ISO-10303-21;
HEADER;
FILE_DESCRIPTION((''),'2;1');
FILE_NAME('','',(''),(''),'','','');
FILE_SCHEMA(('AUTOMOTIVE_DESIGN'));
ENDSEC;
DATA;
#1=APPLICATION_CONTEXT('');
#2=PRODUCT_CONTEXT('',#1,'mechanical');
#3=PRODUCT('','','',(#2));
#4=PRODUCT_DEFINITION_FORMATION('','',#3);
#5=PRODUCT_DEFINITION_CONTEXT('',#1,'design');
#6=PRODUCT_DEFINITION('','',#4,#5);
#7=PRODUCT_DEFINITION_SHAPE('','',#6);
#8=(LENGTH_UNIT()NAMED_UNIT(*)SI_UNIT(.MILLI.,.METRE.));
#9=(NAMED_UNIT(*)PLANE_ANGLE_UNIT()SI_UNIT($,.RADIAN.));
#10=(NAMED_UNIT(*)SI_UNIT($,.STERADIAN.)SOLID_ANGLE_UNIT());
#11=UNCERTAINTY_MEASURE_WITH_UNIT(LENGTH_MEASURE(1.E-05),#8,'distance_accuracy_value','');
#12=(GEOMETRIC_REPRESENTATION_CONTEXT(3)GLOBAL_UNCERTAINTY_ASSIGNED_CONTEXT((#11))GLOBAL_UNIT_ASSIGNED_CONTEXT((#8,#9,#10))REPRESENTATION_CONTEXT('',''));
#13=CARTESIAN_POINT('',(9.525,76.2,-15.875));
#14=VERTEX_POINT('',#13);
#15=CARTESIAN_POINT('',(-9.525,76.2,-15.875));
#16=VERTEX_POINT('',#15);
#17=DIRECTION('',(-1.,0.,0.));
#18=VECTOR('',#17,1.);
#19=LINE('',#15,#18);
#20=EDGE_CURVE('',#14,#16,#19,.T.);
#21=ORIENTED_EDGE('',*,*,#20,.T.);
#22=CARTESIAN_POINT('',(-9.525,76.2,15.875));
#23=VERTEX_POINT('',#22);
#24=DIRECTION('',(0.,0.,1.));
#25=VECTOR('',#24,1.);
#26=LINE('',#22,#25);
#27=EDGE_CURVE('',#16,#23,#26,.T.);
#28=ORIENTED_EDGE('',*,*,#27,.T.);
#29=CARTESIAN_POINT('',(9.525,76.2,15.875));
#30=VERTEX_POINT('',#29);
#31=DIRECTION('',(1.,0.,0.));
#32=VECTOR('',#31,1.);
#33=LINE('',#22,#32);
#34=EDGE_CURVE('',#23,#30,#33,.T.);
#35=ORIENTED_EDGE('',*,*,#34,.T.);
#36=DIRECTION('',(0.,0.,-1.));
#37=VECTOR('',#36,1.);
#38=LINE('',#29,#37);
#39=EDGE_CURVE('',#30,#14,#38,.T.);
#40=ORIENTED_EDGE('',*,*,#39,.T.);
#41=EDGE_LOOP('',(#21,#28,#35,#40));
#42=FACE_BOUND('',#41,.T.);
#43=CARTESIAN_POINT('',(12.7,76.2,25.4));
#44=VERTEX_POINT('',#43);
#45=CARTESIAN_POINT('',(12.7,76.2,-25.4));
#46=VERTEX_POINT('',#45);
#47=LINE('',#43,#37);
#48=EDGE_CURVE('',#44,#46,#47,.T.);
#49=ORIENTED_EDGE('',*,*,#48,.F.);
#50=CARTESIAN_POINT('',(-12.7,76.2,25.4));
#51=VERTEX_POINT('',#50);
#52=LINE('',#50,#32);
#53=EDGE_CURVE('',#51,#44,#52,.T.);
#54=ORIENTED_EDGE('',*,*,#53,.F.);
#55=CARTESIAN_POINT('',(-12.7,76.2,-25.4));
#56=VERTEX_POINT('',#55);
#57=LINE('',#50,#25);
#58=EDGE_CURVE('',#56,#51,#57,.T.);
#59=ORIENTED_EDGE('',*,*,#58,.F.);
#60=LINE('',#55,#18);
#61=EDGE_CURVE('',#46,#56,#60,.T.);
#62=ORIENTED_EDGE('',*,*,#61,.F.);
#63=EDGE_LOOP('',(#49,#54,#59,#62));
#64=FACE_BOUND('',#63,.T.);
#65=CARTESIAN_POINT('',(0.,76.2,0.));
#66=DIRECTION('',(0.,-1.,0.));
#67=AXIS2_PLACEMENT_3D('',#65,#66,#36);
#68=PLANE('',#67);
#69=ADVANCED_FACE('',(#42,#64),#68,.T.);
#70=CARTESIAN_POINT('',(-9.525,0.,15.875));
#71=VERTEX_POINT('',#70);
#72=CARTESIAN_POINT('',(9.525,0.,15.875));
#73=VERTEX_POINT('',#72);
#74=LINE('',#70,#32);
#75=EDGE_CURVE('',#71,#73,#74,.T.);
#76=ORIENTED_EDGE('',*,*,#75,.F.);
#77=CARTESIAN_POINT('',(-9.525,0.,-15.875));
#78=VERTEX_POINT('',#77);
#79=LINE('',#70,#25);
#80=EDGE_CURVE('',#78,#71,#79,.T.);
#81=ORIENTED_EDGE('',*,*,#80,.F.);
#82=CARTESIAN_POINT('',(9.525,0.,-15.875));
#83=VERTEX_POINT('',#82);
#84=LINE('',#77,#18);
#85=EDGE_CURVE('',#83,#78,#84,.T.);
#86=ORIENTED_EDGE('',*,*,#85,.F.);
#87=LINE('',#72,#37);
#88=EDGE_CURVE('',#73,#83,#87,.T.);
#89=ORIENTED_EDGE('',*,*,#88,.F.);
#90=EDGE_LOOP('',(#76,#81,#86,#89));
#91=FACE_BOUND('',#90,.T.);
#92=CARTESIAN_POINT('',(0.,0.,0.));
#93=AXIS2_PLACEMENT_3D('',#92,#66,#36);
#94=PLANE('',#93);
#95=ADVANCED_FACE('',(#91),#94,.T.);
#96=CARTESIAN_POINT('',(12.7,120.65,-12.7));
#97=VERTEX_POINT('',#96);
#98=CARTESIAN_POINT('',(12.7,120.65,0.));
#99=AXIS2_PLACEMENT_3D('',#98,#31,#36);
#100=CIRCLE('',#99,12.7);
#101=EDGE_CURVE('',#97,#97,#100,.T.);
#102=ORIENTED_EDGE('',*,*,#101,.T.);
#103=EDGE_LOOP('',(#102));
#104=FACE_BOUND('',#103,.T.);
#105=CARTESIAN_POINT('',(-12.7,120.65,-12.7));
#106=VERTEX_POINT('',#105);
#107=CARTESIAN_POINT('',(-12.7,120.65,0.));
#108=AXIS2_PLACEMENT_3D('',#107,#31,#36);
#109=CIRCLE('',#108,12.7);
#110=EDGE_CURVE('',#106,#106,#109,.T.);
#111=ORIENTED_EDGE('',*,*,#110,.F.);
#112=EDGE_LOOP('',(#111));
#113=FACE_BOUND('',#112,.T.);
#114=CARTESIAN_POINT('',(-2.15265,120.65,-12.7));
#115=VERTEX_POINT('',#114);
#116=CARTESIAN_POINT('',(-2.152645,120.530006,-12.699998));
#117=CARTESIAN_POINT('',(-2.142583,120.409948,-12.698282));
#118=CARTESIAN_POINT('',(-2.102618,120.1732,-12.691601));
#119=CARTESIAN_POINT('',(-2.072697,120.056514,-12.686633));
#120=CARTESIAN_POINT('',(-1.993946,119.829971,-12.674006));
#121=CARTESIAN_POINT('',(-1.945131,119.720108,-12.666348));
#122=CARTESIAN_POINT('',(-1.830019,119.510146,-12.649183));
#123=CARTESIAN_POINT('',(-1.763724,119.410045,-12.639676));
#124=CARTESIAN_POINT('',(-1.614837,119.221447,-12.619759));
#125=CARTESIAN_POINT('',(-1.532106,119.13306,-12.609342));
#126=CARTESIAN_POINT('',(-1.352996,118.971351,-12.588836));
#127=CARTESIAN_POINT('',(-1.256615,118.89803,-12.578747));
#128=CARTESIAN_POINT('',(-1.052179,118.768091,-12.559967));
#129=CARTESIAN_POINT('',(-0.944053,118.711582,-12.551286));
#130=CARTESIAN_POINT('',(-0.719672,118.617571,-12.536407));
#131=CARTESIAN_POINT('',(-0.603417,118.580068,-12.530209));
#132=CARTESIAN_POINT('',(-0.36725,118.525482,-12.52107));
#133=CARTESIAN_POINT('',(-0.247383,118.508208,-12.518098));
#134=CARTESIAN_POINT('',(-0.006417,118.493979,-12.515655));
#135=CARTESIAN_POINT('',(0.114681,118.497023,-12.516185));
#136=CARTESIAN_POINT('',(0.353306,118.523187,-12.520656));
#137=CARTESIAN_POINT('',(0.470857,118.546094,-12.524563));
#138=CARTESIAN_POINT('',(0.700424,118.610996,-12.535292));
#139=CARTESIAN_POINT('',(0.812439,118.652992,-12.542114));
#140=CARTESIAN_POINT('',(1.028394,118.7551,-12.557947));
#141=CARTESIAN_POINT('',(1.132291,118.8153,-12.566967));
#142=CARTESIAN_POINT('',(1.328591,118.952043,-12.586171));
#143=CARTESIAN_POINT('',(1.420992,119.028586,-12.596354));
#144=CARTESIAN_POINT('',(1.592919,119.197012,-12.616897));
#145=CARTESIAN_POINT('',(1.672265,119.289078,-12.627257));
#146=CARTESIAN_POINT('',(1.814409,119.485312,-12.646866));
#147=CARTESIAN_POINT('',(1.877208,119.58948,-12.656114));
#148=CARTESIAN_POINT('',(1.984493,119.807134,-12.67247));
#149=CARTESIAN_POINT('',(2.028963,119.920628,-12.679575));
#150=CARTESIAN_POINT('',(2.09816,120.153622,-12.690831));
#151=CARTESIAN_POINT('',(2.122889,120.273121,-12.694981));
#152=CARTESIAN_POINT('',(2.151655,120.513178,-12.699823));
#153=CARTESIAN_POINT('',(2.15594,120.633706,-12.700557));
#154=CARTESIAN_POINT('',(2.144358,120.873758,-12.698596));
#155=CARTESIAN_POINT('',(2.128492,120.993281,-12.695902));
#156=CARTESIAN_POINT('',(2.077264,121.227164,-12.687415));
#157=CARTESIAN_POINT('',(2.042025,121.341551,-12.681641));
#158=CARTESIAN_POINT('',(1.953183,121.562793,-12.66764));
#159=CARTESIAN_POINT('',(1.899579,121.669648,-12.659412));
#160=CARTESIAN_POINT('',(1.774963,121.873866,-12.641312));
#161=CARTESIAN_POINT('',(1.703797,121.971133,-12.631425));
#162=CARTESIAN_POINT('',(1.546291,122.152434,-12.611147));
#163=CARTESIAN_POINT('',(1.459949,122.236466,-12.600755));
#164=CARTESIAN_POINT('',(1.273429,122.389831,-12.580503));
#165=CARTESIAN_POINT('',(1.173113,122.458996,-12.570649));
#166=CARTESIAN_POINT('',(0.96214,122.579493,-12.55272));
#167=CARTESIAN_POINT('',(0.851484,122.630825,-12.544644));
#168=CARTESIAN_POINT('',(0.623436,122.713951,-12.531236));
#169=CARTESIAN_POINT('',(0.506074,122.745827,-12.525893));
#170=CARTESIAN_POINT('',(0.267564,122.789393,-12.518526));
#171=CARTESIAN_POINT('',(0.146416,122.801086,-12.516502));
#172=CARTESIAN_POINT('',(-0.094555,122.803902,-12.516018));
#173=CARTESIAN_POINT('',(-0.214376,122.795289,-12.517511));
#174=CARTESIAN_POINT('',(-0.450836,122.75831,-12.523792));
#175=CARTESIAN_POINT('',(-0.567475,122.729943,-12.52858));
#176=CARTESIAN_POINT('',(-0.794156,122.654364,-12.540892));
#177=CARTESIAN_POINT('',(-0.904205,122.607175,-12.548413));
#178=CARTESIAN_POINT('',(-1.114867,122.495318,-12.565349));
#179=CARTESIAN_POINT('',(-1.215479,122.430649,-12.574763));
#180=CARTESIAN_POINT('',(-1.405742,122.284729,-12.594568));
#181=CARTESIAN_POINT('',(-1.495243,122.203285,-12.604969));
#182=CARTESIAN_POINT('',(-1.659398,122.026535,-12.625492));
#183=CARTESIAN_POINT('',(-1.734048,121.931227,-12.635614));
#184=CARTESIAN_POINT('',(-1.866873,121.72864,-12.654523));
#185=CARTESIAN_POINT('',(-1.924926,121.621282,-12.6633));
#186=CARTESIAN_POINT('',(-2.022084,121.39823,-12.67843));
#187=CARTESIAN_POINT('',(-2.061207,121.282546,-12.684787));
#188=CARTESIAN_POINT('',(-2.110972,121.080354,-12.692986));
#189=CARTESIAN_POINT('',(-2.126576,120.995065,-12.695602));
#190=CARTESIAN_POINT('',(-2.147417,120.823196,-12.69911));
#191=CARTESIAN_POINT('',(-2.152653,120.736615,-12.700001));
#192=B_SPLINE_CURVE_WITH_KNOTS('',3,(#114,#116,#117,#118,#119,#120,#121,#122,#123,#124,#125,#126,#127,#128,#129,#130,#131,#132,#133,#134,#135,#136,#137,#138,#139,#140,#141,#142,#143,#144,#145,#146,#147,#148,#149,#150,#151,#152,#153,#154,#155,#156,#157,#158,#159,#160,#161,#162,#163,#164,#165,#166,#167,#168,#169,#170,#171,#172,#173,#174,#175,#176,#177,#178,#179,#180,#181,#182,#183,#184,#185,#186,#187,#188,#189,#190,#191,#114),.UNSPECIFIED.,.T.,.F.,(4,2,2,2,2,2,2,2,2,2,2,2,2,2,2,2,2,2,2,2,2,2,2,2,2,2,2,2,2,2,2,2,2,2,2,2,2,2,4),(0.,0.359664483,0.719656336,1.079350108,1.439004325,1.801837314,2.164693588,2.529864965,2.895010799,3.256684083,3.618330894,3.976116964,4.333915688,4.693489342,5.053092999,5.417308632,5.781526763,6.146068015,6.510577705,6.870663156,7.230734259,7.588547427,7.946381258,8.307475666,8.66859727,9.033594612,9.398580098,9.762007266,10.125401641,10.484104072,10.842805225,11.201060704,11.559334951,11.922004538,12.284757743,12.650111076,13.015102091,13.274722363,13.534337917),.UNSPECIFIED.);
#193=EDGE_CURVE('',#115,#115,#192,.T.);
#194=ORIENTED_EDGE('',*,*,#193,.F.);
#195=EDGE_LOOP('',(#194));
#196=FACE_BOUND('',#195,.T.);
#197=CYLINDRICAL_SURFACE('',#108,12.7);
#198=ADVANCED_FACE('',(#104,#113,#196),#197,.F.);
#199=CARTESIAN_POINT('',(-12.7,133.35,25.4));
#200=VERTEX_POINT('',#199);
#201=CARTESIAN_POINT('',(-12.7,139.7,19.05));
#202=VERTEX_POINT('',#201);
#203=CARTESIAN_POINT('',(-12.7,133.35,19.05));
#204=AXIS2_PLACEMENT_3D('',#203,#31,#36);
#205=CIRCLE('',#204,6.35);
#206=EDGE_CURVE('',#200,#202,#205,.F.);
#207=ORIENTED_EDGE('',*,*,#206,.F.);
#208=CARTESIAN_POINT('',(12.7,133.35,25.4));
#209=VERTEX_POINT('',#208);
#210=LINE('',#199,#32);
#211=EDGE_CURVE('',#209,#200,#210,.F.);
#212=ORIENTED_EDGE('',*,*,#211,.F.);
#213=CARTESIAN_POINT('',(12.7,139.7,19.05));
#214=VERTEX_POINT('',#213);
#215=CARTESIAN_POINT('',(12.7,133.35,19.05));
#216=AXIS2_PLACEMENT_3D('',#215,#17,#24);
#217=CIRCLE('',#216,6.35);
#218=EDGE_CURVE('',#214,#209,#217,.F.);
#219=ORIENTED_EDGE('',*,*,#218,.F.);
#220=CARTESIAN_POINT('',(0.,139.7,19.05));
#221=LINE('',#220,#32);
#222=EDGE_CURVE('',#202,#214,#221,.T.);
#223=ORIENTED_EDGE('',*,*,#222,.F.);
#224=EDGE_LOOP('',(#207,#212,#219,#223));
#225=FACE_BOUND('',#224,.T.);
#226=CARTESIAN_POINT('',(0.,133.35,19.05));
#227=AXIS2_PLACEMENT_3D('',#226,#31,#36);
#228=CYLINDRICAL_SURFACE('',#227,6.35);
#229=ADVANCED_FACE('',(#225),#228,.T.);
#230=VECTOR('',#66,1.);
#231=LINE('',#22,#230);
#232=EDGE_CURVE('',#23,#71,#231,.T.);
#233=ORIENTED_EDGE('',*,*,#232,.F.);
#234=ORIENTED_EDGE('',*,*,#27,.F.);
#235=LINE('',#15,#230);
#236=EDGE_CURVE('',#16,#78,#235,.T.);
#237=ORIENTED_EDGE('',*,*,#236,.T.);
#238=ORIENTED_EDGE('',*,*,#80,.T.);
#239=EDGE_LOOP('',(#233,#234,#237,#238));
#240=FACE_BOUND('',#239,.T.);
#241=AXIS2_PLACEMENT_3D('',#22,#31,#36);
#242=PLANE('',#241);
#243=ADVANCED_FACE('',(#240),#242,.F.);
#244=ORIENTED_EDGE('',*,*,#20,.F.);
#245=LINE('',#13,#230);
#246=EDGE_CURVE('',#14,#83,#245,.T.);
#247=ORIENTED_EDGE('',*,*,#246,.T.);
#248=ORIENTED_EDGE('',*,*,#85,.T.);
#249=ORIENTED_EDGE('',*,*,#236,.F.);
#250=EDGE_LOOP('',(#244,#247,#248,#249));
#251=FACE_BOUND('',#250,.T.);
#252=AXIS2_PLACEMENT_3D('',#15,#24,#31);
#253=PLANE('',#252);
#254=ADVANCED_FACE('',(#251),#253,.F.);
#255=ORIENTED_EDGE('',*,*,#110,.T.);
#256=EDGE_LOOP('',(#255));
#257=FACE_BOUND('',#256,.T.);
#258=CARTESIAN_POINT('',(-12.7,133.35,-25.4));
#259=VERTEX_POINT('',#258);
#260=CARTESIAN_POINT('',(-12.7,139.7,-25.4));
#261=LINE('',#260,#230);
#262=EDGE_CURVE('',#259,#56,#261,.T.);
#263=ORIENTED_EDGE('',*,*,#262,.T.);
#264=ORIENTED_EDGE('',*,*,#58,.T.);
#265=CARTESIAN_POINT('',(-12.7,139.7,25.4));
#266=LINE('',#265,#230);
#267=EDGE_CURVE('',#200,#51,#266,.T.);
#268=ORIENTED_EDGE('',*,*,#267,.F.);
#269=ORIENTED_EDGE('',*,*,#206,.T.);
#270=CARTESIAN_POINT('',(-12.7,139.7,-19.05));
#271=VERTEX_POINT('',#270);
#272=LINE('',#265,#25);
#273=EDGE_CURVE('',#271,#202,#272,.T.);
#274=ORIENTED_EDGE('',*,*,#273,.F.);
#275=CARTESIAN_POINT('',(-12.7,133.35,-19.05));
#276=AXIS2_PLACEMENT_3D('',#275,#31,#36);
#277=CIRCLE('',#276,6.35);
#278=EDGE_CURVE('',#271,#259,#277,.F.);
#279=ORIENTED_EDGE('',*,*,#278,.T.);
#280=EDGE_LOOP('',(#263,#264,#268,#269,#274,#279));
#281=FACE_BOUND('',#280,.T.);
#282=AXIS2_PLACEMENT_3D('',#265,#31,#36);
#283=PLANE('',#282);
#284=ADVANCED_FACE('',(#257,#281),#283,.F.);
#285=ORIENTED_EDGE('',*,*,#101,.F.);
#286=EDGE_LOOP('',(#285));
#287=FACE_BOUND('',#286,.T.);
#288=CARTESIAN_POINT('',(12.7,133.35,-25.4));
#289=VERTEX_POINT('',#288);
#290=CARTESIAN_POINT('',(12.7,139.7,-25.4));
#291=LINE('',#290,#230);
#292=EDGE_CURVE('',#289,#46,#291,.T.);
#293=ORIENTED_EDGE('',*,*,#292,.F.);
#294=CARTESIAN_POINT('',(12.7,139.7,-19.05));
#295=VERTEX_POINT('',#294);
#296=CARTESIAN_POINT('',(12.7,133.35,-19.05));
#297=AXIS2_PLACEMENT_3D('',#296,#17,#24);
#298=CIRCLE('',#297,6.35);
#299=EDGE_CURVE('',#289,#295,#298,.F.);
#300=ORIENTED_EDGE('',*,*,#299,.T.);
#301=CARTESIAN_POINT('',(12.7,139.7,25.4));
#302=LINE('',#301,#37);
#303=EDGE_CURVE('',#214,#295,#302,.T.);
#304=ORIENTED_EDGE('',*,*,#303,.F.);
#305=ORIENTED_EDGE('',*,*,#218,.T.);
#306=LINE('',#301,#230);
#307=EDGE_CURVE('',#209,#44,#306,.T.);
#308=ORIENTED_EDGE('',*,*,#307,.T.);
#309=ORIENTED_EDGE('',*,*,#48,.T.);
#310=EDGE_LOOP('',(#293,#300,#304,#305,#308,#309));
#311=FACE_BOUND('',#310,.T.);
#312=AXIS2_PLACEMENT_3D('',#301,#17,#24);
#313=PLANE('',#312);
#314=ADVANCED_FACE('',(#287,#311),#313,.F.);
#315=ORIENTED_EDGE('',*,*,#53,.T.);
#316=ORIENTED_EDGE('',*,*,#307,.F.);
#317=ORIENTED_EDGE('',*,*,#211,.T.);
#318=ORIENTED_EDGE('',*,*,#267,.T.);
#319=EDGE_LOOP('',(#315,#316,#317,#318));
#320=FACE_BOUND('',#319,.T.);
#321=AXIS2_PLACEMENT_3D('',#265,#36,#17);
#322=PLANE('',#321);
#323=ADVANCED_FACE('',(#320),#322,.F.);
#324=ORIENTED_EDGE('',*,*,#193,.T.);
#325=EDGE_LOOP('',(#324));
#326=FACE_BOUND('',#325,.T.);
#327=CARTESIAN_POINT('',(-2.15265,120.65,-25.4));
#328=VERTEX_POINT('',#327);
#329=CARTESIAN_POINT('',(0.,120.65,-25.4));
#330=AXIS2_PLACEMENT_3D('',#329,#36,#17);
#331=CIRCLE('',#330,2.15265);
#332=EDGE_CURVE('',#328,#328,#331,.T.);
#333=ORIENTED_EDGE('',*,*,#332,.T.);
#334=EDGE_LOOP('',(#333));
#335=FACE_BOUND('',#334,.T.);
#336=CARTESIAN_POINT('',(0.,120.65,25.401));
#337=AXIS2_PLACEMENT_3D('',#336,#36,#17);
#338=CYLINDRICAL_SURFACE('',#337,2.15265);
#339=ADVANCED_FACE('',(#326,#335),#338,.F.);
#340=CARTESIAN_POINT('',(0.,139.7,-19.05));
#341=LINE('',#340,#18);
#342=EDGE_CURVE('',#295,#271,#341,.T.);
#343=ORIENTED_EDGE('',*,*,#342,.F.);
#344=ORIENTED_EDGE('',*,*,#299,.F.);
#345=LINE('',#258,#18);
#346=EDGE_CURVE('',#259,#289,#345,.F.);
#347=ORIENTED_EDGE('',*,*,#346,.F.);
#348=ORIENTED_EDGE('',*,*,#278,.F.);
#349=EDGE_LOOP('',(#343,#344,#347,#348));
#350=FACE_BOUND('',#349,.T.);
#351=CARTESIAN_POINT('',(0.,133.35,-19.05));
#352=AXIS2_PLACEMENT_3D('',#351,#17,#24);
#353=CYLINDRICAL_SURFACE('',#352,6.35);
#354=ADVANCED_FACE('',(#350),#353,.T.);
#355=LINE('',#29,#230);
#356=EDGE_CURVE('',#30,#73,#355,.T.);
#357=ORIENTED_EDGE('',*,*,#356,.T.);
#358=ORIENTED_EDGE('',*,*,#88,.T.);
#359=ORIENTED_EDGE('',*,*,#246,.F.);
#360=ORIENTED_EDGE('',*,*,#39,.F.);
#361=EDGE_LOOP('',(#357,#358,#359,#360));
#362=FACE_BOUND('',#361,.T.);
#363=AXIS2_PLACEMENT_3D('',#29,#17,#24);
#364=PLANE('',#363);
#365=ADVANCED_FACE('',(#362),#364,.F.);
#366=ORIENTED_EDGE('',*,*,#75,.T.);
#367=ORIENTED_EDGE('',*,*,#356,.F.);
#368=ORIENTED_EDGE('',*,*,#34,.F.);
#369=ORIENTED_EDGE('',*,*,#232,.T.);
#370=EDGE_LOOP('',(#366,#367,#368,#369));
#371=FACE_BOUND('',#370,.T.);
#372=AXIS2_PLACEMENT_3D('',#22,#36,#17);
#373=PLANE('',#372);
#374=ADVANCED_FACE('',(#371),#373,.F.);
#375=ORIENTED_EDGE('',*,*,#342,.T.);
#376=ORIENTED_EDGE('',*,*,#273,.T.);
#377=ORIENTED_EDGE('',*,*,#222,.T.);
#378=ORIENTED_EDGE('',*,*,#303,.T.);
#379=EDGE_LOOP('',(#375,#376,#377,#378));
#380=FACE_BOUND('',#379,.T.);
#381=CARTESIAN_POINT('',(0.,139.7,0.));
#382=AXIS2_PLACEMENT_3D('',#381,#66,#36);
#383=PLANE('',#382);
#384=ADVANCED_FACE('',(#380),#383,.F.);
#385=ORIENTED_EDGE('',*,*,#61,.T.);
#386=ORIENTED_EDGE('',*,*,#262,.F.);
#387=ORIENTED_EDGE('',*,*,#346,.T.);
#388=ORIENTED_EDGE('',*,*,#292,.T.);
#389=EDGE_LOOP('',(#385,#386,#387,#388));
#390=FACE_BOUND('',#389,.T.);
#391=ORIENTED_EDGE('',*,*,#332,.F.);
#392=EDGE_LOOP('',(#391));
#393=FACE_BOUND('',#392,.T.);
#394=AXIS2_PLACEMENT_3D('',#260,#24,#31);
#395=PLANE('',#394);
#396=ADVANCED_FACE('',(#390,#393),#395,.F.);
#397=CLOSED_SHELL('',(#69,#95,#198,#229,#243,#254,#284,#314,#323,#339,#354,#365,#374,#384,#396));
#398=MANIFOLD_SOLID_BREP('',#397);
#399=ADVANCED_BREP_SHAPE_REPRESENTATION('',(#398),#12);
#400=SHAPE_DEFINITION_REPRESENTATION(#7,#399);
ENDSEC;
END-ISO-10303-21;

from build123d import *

# Parameters (mm, degrees)
SKETCH2_W               = 19.05
SKETCH2_H               = 31.75
BOSS_EXTRUDE1_DEPTH     = 76.2
SKETCH3_W               = 25.4
SKETCH3_H               = 50.8
BOSS_EXTRUDE2_DEPTH     = 63.5
FILLET1_R               = 6.35
SKETCH4_R               = 12.7
CUT_EXTRUDE1_DEPTH      = 145.244271983
CUT_EXTRUDE2_REACH      = 151.191
CUT_EXTRUDE2_END_RADIUS = 12.7
SKETCH5_R               = 2.15265


with BuildPart() as part:
    # Sketch2 → Boss-Extrude1 (new body)
    with BuildSketch(Plane(origin=(0, 0, 0), x_dir=(1, 0, 0), z_dir=(0, 1, 0))):
        Rectangle(SKETCH2_W, SKETCH2_H)
    extrude(amount=BOSS_EXTRUDE1_DEPTH)

    # Sketch3 → Boss-Extrude2 (add)
    with BuildSketch(Plane(origin=(0, 76.2, 0), x_dir=(1, 0, 0), z_dir=(0, 1, 0))):
        Rectangle(SKETCH3_W, SKETCH3_H)
    extrude(amount=BOSS_EXTRUDE2_DEPTH)

    # Fillet1
    fillet1_edges = [part.edges().sort_by_distance(p)[0] for p in [
        (0, 139.7, -25.4),
        (0, 139.7, 25.4),
    ]]
    fillet(fillet1_edges, radius=FILLET1_R)

    # Sketch4 → Cut-Extrude1 (cut, through all)
    with BuildSketch(Plane(origin=(12.7, 0, 0), x_dir=(0, 0, -1), z_dir=(1, 0, 0))):
        with Locations((0, 120.65)):
            Circle(SKETCH4_R)
    extrude(amount=-CUT_EXTRUDE1_DEPTH, mode=Mode.SUBTRACT)

    # Cut-Extrude2: up to this cylinder (the profile starts outside it)
    cut_extrude2_end = Plane(origin=(0, 120.65, 0), z_dir=(1, 0, 0)) * Cylinder(CUT_EXTRUDE2_END_RADIUS, 328.782, mode=Mode.PRIVATE)
    # Sketch5 → Cut-Extrude2 (cut, up to the surface)
    with BuildSketch(Plane(origin=(0, 0, -25.4), x_dir=(-1, 0, 0), z_dir=(0, 0, -1)), mode=Mode.PRIVATE) as cut_extrude2_sk1:
        with Locations((0, 120.65)):
            Circle(SKETCH5_R)
    cut_extrude2_tool1 = extrude(cut_extrude2_sk1.sketch, amount=-CUT_EXTRUDE2_REACH, mode=Mode.PRIVATE) - cut_extrude2_end
    add(cut_extrude2_tool1.solids().sort_by_distance((0, 120.65, -25.4))[0], mode=Mode.SUBTRACT)


solid = part.part
